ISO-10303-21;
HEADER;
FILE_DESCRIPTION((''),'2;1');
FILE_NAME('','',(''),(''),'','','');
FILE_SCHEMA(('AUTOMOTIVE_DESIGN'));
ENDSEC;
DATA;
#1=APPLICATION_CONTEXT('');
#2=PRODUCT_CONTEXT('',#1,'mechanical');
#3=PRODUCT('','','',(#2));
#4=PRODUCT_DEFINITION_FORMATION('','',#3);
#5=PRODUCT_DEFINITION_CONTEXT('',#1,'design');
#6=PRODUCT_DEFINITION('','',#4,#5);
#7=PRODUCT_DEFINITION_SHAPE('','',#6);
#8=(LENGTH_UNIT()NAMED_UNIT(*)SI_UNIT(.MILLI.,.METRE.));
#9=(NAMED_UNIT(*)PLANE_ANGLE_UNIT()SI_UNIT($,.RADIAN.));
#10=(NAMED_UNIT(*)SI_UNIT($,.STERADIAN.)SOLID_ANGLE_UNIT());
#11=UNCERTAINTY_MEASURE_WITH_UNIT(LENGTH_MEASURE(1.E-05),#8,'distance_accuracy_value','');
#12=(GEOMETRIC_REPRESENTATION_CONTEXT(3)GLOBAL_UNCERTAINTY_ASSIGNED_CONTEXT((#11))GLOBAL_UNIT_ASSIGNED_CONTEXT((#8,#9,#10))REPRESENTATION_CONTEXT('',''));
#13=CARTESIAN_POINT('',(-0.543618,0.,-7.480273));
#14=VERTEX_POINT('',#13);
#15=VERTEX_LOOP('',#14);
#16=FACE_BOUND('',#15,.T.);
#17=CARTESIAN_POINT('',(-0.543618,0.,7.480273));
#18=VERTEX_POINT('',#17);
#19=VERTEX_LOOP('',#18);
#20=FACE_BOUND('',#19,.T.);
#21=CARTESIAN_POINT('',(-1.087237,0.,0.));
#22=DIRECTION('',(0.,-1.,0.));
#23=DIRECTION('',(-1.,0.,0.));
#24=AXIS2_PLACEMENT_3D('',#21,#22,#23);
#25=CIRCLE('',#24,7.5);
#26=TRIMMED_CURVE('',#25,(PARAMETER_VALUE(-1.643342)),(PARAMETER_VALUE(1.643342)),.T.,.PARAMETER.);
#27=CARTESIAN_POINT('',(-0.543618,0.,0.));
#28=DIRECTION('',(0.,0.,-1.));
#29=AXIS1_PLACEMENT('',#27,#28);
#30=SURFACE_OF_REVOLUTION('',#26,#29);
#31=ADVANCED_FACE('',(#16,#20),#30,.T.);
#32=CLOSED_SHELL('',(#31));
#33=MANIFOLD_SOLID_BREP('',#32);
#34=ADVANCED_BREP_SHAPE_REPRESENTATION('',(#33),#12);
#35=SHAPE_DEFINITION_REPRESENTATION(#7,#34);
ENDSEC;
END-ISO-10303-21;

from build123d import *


with BuildPart() as part:
    # Sketch1 → Revolve1 (revolve)
    with BuildSketch(Plane(origin=(0, 0, 0), x_dir=(1, 0, 0), z_dir=(0, 1, 0))):
        with BuildLine():
            Line((-0.543618308, 7.480272665), (-0.543618308, -7.480272665))
            ThreePointArc((-0.543618308, -7.480272665), (7.5, 0), (-0.543618308, 7.480272665))
        make_face()
    revolve(axis=Axis((-0.543618308, 0, -7.480272665), (0, 0, 1)))


solid = part.part
